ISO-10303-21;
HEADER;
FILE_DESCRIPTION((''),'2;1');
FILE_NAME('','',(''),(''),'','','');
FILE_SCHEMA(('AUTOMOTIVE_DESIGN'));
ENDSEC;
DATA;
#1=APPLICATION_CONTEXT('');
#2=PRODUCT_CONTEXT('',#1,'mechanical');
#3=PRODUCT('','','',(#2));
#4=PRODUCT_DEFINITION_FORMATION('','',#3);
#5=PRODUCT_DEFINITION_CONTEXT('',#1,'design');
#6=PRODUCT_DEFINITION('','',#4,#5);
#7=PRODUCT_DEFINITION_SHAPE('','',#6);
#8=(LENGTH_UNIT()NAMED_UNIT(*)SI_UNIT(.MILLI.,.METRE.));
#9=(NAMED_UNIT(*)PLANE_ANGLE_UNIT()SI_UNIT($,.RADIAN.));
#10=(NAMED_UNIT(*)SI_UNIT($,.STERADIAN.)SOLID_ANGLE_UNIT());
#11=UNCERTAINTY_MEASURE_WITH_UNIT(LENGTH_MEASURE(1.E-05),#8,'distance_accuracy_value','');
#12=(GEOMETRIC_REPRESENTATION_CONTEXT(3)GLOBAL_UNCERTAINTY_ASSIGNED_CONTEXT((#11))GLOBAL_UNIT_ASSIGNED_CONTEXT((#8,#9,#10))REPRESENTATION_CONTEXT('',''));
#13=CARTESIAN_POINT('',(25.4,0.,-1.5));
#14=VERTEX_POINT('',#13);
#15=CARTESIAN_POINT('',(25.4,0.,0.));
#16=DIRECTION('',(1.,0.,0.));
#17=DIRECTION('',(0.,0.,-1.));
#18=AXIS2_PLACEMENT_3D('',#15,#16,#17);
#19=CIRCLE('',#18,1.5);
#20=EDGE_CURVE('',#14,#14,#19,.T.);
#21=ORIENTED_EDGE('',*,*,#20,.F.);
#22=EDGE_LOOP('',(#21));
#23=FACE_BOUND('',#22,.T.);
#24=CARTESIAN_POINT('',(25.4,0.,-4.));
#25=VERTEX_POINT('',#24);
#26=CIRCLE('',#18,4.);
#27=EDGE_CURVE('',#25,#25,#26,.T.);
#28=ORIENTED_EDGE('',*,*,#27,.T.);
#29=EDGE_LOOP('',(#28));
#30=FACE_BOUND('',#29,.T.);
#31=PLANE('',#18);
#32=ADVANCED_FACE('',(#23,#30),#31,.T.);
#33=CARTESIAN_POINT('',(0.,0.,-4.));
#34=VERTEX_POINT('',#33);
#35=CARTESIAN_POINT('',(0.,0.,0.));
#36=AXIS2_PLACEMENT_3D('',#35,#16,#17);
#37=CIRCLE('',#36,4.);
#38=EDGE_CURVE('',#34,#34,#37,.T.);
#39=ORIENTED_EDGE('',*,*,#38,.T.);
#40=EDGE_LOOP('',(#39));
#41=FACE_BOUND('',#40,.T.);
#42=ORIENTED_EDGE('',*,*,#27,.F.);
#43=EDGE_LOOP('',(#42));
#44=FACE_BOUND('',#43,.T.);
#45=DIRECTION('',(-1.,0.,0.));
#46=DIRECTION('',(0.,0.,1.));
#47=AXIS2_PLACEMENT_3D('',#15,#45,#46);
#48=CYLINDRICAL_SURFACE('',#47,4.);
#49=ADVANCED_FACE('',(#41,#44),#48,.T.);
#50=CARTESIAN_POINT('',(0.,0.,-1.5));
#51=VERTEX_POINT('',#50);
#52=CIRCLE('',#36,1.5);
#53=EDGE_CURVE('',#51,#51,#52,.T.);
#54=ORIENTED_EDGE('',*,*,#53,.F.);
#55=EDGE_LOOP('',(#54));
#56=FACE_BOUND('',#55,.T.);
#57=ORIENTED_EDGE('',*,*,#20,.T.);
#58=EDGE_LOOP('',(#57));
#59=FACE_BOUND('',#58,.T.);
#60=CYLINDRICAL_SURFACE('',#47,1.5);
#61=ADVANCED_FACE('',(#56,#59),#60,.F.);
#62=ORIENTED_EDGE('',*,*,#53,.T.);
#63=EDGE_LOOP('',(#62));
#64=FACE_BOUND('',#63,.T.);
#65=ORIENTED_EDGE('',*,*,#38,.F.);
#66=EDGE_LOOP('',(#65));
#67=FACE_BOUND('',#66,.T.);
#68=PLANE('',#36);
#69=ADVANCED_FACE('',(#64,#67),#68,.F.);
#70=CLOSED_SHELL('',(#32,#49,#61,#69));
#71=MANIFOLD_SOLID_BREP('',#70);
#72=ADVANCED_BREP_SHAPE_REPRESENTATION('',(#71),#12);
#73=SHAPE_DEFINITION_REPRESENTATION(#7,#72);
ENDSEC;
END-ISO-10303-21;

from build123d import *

# Parameters (mm, degrees)
SKETCH_1_R      = 4
SKETCH_1_R_2    = 1.5
EXTRUDE_1_DEPTH = 25.4


with BuildPart() as part:
    # ｽｹｯﾁ1 → ﾎﾞｽ - 押し出し1 (new body)
    with BuildSketch(Plane(origin=(0, 0, 0), x_dir=(0, 0, -1), z_dir=(1, 0, 0))):
        Circle(SKETCH_1_R)
        Circle(SKETCH_1_R_2, mode=Mode.SUBTRACT)
    extrude(amount=EXTRUDE_1_DEPTH)


solid = part.part
